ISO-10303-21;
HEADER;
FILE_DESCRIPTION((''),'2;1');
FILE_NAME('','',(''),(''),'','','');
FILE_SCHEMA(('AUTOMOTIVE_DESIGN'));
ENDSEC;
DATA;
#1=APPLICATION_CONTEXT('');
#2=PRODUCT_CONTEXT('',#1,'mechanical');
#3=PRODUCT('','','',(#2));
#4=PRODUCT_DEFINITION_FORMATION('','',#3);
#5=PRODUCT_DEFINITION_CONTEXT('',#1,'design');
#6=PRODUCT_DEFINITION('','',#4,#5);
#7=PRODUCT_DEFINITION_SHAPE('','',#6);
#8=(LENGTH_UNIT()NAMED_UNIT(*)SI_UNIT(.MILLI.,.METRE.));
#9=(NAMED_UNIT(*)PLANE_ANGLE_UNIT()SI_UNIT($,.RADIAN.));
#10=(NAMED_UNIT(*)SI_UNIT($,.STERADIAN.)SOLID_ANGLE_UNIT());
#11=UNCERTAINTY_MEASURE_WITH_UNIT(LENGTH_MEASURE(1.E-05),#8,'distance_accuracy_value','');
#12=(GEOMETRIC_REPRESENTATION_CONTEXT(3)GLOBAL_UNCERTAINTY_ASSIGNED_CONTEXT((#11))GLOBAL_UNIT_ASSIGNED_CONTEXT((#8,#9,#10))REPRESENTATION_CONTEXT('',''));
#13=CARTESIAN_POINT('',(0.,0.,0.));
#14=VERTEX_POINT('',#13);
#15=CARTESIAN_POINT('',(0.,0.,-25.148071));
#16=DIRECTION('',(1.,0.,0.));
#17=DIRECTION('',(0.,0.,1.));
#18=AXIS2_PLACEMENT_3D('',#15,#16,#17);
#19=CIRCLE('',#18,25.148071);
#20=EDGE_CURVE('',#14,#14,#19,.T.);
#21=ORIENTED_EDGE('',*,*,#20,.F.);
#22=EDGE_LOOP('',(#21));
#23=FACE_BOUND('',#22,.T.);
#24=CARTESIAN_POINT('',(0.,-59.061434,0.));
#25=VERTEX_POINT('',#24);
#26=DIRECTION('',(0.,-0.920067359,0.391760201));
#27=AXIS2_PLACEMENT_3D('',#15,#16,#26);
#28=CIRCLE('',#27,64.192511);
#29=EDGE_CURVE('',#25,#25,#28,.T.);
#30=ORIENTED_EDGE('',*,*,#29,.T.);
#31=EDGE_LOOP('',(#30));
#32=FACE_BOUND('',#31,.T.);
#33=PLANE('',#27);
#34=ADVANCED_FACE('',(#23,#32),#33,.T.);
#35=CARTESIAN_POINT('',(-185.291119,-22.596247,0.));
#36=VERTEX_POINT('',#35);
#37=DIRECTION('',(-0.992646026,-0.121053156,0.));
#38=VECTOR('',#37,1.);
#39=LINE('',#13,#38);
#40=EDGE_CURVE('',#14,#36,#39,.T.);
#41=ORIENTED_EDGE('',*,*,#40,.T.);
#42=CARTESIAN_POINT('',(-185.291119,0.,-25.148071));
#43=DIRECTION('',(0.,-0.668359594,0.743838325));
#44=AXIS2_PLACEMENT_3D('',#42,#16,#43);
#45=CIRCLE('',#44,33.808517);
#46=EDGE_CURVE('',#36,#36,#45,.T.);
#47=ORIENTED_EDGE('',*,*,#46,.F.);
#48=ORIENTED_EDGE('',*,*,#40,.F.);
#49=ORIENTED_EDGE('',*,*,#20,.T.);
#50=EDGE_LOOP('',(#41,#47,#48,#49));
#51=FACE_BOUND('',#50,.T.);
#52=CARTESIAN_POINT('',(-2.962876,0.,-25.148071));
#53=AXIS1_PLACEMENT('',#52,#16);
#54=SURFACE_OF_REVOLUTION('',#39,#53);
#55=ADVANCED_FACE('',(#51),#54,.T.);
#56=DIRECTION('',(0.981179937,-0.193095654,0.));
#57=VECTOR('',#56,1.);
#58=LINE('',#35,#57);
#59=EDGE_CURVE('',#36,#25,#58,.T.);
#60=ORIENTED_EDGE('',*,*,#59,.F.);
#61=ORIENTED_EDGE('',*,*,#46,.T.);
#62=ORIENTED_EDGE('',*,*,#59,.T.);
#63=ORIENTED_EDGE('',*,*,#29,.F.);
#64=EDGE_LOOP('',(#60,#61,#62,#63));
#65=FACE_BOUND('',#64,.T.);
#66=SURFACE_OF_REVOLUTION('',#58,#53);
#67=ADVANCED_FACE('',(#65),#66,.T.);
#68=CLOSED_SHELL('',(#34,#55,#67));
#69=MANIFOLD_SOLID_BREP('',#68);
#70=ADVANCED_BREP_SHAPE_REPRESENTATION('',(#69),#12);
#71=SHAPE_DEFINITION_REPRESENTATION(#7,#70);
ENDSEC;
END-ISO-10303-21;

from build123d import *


with BuildPart() as f2:
    # F0 (on Top) → F2 (revolve)
    with BuildSketch(Plane.XY):
        Polygon((0, 0), (-185.291119, -22.596247), (0, -59.061434), align=None)
    revolve(axis=Axis((-2.962876, 0, -25.148071), (1, 0, 0)))


solid = f2.part
